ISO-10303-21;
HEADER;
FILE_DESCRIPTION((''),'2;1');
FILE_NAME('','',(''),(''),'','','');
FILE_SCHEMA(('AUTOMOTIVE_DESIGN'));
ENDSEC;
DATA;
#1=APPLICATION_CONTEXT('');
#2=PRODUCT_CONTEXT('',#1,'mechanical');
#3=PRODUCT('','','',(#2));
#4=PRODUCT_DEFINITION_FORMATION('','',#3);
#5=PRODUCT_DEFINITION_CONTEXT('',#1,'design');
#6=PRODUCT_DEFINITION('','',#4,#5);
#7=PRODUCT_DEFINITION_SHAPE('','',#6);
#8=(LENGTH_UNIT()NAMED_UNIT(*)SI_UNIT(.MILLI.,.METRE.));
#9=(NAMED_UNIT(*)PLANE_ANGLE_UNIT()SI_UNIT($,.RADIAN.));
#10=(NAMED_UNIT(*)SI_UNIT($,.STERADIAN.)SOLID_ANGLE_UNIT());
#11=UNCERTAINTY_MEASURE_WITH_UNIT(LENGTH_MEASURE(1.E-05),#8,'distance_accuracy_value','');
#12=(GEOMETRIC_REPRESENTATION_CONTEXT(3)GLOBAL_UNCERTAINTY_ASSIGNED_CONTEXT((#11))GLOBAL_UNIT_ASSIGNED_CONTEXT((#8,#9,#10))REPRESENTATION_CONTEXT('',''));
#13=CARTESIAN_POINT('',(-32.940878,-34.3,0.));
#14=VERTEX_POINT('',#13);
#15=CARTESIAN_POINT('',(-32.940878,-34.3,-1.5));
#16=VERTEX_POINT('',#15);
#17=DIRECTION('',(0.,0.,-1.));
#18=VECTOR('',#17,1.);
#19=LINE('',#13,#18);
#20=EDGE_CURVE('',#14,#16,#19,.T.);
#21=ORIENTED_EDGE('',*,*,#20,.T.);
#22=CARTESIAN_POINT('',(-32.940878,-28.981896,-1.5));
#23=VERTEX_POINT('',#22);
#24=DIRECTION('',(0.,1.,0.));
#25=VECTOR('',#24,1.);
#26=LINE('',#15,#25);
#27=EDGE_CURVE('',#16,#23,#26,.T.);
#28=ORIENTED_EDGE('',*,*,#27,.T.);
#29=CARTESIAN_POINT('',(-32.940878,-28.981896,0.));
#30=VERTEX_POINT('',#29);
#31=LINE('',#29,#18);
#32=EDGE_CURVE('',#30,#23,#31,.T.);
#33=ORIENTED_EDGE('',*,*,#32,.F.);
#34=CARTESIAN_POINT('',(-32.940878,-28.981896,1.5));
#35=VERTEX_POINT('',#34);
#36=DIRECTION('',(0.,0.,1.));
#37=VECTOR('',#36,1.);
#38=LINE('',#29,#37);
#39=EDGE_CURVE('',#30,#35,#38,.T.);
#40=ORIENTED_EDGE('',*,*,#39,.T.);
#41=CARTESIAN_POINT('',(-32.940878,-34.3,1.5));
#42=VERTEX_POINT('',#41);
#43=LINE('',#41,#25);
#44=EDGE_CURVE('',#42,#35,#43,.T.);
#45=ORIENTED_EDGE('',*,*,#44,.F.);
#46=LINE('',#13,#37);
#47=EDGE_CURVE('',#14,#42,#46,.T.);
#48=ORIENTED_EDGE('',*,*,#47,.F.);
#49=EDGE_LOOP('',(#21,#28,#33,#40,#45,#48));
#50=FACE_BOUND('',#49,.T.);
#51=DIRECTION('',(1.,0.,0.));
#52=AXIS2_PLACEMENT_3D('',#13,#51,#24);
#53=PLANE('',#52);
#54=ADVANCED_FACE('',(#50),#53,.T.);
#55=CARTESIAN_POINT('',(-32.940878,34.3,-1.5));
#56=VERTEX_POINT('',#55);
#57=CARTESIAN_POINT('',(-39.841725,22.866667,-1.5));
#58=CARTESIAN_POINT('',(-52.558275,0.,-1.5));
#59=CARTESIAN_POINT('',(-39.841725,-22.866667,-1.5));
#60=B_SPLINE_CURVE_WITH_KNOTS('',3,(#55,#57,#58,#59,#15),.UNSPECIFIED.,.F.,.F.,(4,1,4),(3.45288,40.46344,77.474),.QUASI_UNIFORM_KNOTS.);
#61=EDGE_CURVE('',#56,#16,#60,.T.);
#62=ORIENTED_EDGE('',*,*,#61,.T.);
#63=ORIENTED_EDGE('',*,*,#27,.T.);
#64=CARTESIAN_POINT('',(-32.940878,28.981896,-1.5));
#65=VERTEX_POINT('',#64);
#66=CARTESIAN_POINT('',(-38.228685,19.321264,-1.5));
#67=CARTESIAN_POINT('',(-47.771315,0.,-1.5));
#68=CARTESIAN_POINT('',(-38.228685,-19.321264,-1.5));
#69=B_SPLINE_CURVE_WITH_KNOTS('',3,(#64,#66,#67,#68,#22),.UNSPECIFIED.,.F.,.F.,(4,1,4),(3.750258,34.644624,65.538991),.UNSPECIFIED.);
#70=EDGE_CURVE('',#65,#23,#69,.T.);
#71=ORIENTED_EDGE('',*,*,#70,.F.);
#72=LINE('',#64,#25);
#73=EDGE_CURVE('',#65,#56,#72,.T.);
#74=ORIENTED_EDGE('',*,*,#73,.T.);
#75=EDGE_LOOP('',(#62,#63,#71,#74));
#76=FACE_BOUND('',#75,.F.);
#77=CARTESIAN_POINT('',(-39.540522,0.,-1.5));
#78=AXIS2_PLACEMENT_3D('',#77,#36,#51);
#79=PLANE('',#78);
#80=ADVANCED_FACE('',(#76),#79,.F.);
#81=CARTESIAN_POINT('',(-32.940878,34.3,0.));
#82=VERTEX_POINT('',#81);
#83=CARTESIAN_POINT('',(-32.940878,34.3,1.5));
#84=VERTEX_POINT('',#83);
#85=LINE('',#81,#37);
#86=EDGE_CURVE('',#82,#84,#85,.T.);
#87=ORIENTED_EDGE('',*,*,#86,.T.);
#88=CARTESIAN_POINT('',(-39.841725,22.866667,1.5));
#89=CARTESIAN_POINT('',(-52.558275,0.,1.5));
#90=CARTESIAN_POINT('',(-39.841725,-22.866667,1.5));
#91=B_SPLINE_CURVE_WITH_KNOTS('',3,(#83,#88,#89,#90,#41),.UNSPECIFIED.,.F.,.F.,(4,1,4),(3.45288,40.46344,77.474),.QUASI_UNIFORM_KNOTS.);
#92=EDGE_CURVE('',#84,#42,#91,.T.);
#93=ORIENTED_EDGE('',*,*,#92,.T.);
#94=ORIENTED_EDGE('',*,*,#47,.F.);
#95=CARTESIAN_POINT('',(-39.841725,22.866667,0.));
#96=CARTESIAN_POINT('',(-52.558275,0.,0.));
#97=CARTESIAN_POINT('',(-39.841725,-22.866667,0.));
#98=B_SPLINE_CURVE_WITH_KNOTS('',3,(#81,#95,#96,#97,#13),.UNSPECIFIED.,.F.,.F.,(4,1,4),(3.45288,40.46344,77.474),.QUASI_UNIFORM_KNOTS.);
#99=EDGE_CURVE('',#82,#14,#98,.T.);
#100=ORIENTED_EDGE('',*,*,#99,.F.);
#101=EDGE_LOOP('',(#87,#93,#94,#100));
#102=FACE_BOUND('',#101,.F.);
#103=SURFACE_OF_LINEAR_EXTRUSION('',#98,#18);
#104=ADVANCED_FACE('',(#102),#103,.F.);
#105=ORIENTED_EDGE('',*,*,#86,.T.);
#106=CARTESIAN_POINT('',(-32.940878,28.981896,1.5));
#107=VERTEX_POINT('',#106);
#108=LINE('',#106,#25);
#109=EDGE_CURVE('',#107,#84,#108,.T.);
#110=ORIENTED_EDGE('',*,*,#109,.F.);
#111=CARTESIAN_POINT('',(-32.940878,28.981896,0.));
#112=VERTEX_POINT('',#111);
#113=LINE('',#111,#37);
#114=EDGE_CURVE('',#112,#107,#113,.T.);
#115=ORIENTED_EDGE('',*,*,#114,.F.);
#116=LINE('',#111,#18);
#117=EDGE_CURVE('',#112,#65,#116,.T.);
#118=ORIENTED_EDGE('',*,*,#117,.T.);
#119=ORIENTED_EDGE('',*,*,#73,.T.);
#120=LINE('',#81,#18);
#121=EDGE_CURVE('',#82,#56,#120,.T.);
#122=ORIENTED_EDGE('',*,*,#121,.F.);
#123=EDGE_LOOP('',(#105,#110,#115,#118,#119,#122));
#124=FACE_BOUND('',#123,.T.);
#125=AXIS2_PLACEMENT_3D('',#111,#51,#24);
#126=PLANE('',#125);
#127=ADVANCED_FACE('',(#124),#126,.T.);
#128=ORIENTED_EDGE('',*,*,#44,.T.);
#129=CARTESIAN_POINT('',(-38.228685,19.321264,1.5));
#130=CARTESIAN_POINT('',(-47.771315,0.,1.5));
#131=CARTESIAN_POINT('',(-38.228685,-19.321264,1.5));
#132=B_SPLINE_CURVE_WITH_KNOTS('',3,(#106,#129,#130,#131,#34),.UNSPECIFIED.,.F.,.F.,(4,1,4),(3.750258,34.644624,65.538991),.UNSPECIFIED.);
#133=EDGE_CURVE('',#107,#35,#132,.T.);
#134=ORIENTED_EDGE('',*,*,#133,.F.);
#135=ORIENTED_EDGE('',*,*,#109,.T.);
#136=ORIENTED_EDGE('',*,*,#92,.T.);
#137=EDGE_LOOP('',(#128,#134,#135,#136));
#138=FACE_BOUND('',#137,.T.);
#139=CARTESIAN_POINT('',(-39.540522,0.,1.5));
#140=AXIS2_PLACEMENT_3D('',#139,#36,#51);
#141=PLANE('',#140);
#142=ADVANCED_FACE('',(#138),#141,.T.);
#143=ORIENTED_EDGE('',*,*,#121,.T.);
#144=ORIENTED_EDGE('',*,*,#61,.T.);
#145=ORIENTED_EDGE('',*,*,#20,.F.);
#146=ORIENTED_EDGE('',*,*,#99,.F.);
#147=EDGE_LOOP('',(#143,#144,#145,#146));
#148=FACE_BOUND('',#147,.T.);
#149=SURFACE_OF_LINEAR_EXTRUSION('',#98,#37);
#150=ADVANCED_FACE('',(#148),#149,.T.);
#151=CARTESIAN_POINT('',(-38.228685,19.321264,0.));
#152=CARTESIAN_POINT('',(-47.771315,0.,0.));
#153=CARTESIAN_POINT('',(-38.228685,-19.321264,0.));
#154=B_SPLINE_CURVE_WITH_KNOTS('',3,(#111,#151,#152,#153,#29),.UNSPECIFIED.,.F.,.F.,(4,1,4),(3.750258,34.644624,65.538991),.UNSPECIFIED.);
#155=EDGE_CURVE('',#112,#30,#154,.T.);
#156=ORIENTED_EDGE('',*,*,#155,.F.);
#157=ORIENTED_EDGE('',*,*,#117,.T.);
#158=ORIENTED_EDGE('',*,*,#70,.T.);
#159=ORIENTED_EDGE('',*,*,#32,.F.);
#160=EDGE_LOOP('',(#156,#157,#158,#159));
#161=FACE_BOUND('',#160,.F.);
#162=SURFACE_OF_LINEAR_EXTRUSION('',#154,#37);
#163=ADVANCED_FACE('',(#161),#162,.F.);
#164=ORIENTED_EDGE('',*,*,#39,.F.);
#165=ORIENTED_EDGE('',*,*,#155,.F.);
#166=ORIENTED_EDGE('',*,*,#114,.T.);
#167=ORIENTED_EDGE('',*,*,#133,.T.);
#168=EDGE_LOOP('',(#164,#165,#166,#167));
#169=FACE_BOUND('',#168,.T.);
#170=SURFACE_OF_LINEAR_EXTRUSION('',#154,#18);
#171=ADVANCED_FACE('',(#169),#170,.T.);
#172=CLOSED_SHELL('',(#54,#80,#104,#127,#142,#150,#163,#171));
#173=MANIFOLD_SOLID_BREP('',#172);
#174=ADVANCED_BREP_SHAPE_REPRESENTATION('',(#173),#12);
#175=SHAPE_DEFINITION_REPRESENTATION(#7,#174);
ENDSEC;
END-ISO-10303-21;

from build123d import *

# Parameters (mm, degrees)
F1_DEPTH = 1.5


with BuildPart() as f1:
    # F0 (on Top) → F1 (new body, symmetric)
    with BuildSketch(Plane.XY):
        with BuildLine():
            Line((-32.940878, 28.981896), (-32.940878, 34.3))
            add(Edge.make_bspline(
                [(-32.940878, 34.3), (-39.841725, 22.866667), (-52.558275, 0), (-39.841725, -22.866667), (-32.940878, -34.3)],
                knots=[3.45288, 3.45288, 3.45288, 3.45288, 40.46344, 77.474, 77.474, 77.474, 77.474], degree=3))
            Line((-32.940878, -34.3), (-32.940878, -28.981896))
            add(Edge.make_bspline(
                [(-32.940878, 28.981896), (-38.228685, 19.321264), (-47.771315, 0), (-38.228685, -19.321264), (-32.940878, -28.981896)],
                knots=[3.750258, 3.750258, 3.750258, 3.750258, 34.644624, 65.538991, 65.538991, 65.538991, 65.538991], degree=3))
        make_face()
    extrude(amount=F1_DEPTH, both=True)


solid = f1.part
